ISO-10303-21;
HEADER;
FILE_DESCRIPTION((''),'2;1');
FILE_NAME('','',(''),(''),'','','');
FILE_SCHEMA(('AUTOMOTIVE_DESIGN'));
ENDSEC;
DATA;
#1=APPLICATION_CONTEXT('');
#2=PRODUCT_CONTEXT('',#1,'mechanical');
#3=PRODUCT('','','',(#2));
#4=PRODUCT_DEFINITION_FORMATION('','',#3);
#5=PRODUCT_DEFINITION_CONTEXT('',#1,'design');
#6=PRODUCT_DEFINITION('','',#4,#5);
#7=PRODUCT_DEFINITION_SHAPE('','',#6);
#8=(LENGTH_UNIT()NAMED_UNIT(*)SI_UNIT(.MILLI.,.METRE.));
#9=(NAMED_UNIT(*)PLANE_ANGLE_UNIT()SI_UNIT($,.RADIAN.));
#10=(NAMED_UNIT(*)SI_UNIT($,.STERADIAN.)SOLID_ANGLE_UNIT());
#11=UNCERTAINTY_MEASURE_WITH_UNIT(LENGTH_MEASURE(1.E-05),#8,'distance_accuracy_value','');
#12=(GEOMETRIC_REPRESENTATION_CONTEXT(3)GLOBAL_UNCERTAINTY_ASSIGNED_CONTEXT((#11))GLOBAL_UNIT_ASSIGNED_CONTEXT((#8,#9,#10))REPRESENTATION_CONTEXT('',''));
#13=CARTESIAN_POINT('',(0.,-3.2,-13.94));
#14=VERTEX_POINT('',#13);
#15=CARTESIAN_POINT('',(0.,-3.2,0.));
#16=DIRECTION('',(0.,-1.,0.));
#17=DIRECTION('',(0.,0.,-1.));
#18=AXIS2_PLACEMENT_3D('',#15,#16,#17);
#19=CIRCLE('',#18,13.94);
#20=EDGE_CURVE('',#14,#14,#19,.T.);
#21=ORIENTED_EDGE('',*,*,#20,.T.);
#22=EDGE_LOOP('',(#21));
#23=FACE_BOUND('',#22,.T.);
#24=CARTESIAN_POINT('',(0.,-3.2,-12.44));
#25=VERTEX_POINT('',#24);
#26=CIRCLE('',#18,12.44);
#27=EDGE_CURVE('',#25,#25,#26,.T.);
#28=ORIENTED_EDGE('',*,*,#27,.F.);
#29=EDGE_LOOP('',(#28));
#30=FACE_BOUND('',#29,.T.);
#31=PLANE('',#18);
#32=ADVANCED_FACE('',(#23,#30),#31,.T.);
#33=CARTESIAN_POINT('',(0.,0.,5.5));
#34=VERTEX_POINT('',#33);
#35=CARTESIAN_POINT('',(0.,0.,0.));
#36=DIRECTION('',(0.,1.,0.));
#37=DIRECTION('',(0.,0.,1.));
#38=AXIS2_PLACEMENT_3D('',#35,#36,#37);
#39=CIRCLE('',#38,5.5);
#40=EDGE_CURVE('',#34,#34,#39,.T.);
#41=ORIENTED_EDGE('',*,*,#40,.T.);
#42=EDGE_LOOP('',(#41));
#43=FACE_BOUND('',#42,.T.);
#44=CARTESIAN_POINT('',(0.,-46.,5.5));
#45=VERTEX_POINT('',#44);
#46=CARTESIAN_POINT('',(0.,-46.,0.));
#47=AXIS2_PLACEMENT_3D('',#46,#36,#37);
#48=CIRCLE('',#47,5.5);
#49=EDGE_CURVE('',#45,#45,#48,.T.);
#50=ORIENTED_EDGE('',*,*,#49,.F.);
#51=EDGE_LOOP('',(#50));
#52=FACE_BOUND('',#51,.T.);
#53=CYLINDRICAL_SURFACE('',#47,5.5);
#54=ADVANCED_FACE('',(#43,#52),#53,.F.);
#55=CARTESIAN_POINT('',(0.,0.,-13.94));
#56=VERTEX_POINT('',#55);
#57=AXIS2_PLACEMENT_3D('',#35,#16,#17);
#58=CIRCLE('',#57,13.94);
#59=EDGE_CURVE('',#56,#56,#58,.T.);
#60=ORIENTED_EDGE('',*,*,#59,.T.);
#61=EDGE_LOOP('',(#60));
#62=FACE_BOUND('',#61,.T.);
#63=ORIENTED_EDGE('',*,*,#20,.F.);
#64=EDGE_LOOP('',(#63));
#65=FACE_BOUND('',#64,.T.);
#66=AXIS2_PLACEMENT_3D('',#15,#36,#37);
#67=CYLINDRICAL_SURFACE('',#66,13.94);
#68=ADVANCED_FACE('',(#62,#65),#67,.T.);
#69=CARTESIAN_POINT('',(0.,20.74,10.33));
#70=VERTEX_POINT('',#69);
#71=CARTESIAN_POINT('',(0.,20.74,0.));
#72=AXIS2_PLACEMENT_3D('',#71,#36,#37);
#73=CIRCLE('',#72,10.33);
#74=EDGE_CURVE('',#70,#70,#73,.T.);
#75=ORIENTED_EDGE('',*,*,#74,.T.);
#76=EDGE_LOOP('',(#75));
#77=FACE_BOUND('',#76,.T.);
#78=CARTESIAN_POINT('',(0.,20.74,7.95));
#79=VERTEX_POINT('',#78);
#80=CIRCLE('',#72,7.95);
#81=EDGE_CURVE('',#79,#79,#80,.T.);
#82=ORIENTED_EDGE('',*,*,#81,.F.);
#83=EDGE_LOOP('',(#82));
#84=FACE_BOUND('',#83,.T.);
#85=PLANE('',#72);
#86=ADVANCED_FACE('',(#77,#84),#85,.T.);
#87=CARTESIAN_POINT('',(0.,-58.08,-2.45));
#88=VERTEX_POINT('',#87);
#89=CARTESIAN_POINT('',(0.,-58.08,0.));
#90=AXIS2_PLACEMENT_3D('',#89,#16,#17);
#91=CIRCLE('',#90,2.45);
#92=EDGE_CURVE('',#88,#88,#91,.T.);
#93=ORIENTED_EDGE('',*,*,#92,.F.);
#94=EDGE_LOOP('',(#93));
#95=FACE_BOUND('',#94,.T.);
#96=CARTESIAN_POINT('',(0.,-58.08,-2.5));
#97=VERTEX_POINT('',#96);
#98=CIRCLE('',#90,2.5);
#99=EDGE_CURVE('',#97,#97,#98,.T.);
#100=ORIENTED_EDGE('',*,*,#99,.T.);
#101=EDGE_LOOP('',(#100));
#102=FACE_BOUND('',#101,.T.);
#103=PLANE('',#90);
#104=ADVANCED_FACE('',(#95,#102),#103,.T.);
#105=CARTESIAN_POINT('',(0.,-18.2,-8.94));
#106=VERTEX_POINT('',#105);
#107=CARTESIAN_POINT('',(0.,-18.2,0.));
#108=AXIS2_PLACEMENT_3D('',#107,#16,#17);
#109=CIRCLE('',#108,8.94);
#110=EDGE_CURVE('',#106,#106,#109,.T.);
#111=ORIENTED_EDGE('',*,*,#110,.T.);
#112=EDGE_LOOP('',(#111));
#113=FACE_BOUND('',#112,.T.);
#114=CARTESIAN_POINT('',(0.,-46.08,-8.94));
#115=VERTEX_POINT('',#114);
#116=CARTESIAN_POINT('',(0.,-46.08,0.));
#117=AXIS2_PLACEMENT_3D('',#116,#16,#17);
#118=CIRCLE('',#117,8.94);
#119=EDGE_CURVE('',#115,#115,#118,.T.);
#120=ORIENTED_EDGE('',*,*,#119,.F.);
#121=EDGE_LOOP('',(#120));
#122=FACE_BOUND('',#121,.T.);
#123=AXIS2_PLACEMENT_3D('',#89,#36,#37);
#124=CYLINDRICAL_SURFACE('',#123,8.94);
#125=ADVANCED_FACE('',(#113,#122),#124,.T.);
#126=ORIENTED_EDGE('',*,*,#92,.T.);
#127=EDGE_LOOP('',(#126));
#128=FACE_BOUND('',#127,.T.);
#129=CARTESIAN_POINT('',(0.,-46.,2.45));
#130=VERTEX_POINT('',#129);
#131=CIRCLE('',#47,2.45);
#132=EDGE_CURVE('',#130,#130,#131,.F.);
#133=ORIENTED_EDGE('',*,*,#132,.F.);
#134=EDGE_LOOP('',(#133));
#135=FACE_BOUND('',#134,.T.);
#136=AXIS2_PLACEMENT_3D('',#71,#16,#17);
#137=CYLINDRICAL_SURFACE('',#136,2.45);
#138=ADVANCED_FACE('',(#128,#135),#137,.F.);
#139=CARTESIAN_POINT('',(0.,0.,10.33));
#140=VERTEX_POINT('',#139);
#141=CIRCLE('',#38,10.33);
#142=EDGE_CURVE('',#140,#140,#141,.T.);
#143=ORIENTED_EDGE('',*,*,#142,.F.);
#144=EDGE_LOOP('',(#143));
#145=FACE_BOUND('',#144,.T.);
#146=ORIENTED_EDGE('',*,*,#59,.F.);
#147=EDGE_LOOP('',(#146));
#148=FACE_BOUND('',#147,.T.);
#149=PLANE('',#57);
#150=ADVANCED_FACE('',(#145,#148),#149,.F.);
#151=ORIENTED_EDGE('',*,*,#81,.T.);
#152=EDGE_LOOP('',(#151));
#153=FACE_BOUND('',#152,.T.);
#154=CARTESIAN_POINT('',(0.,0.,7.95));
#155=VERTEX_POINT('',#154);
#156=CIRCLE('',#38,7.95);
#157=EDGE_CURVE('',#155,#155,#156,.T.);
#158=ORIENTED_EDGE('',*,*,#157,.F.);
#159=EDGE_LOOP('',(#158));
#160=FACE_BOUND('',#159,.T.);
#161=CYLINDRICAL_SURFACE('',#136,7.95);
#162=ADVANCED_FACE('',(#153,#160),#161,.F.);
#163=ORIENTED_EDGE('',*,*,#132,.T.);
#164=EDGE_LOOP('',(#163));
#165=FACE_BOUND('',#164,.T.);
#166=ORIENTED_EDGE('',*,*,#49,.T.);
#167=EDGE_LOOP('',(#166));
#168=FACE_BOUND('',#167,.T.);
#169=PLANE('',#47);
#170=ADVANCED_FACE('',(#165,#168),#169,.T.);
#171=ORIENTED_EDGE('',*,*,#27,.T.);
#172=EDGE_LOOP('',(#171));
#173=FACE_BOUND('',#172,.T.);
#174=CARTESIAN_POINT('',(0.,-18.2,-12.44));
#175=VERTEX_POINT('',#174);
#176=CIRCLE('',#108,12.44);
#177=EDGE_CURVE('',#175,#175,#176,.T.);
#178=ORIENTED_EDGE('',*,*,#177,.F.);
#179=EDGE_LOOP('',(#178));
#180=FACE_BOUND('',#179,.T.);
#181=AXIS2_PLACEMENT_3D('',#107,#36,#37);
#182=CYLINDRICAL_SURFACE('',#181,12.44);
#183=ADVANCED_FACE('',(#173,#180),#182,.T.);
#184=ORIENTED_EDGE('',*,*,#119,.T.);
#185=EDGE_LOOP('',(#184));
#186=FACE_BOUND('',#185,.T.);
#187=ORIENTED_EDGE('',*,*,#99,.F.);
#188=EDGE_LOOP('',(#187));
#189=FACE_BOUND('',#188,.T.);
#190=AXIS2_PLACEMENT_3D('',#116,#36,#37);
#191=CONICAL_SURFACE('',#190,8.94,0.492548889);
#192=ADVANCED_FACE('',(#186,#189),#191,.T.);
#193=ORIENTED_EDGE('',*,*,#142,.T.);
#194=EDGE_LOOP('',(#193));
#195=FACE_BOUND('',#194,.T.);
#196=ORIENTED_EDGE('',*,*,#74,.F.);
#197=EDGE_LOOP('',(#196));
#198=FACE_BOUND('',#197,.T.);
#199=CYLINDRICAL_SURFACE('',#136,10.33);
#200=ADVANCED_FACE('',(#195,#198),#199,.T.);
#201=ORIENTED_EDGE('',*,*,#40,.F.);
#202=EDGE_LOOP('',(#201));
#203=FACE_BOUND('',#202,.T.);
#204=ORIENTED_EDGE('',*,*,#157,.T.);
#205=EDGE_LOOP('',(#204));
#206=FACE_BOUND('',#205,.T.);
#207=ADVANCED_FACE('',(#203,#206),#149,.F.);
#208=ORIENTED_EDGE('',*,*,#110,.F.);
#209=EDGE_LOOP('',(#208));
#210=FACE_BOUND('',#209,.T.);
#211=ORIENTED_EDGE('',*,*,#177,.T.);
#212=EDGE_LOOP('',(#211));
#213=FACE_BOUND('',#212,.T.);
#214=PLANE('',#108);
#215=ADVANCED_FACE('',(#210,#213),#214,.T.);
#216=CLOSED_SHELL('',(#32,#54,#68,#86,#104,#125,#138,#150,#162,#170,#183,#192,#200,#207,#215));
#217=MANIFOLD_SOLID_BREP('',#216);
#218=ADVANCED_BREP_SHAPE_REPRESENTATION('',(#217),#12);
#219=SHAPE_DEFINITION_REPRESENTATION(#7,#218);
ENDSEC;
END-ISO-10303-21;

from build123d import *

# Parameters (mm, degrees)
SKETCH1_R           = 10.33
SKETCH1_R_2         = 7.95
BOSS_EXTRUDE1_DEPTH = 20.74
SKETCH2_R           = 13.94
BOSS_EXTRUDE2_DEPTH = 3.2
SKETCH3_R           = 12.44
BOSS_EXTRUDE3_DEPTH = 15
SKETCH4_R           = 8.94
BOSS_EXTRUDE4_DEPTH = 39.88
SKETCH6_R           = 2.45
CUT_EXTRUDE1_DEPTH  = 79.82
SKETCH7_R           = 5.5
CUT_EXTRUDE2_DEPTH  = 46


with BuildPart() as part:
    # Sketch1 → Boss-Extrude1 (new body)
    with BuildSketch(Plane(origin=(0, 0, 0), x_dir=(1, 0, 0), z_dir=(0, 1, 0))):
        Circle(SKETCH1_R)
        Circle(SKETCH1_R_2, mode=Mode.SUBTRACT)
    extrude(amount=BOSS_EXTRUDE1_DEPTH)

    # Sketch2 → Boss-Extrude2 (add)
    with BuildSketch(Plane.XZ):
        Circle(SKETCH2_R)
    extrude(amount=BOSS_EXTRUDE2_DEPTH)

    # Sketch3 → Boss-Extrude3 (add)
    with BuildSketch(Plane(origin=(0, -3.2, 0), x_dir=(-1, 0, 0), z_dir=(0, -1, 0))):
        Circle(SKETCH3_R)
    extrude(amount=BOSS_EXTRUDE3_DEPTH)

    # Sketch4 → Boss-Extrude4 (add)
    with BuildSketch(Plane(origin=(0, -18.2, 0), x_dir=(-1, 0, 0), z_dir=(0, -1, 0))):
        Circle(SKETCH4_R)
    extrude(amount=BOSS_EXTRUDE4_DEPTH)

    # Sketch5 → Cut-Revolve1 (revolve, cut)
    with BuildSketch(Plane(origin=(0, 0, 0), x_dir=(0, 0, -1), z_dir=(1, 0, 0))):
        Polygon((8.94, -46.08), (2.5, -58.08), (8.94, -58.08), align=None)
    revolve(axis=Axis((0, -58.08, 0), (0, 1, 0)), mode=Mode.SUBTRACT)

    # Sketch6 → Cut-Extrude1 (cut, through all)
    with BuildSketch(Plane.XZ.offset(58.08)):
        Circle(SKETCH6_R)
    extrude(amount=-CUT_EXTRUDE1_DEPTH, mode=Mode.SUBTRACT)

    # Sketch7 → Cut-Extrude2 (cut)
    with BuildSketch(Plane(origin=(0, 0, 0), x_dir=(1, 0, 0), z_dir=(0, 1, 0))):
        Circle(SKETCH7_R)
    extrude(amount=-CUT_EXTRUDE2_DEPTH, mode=Mode.SUBTRACT)


solid = part.part
